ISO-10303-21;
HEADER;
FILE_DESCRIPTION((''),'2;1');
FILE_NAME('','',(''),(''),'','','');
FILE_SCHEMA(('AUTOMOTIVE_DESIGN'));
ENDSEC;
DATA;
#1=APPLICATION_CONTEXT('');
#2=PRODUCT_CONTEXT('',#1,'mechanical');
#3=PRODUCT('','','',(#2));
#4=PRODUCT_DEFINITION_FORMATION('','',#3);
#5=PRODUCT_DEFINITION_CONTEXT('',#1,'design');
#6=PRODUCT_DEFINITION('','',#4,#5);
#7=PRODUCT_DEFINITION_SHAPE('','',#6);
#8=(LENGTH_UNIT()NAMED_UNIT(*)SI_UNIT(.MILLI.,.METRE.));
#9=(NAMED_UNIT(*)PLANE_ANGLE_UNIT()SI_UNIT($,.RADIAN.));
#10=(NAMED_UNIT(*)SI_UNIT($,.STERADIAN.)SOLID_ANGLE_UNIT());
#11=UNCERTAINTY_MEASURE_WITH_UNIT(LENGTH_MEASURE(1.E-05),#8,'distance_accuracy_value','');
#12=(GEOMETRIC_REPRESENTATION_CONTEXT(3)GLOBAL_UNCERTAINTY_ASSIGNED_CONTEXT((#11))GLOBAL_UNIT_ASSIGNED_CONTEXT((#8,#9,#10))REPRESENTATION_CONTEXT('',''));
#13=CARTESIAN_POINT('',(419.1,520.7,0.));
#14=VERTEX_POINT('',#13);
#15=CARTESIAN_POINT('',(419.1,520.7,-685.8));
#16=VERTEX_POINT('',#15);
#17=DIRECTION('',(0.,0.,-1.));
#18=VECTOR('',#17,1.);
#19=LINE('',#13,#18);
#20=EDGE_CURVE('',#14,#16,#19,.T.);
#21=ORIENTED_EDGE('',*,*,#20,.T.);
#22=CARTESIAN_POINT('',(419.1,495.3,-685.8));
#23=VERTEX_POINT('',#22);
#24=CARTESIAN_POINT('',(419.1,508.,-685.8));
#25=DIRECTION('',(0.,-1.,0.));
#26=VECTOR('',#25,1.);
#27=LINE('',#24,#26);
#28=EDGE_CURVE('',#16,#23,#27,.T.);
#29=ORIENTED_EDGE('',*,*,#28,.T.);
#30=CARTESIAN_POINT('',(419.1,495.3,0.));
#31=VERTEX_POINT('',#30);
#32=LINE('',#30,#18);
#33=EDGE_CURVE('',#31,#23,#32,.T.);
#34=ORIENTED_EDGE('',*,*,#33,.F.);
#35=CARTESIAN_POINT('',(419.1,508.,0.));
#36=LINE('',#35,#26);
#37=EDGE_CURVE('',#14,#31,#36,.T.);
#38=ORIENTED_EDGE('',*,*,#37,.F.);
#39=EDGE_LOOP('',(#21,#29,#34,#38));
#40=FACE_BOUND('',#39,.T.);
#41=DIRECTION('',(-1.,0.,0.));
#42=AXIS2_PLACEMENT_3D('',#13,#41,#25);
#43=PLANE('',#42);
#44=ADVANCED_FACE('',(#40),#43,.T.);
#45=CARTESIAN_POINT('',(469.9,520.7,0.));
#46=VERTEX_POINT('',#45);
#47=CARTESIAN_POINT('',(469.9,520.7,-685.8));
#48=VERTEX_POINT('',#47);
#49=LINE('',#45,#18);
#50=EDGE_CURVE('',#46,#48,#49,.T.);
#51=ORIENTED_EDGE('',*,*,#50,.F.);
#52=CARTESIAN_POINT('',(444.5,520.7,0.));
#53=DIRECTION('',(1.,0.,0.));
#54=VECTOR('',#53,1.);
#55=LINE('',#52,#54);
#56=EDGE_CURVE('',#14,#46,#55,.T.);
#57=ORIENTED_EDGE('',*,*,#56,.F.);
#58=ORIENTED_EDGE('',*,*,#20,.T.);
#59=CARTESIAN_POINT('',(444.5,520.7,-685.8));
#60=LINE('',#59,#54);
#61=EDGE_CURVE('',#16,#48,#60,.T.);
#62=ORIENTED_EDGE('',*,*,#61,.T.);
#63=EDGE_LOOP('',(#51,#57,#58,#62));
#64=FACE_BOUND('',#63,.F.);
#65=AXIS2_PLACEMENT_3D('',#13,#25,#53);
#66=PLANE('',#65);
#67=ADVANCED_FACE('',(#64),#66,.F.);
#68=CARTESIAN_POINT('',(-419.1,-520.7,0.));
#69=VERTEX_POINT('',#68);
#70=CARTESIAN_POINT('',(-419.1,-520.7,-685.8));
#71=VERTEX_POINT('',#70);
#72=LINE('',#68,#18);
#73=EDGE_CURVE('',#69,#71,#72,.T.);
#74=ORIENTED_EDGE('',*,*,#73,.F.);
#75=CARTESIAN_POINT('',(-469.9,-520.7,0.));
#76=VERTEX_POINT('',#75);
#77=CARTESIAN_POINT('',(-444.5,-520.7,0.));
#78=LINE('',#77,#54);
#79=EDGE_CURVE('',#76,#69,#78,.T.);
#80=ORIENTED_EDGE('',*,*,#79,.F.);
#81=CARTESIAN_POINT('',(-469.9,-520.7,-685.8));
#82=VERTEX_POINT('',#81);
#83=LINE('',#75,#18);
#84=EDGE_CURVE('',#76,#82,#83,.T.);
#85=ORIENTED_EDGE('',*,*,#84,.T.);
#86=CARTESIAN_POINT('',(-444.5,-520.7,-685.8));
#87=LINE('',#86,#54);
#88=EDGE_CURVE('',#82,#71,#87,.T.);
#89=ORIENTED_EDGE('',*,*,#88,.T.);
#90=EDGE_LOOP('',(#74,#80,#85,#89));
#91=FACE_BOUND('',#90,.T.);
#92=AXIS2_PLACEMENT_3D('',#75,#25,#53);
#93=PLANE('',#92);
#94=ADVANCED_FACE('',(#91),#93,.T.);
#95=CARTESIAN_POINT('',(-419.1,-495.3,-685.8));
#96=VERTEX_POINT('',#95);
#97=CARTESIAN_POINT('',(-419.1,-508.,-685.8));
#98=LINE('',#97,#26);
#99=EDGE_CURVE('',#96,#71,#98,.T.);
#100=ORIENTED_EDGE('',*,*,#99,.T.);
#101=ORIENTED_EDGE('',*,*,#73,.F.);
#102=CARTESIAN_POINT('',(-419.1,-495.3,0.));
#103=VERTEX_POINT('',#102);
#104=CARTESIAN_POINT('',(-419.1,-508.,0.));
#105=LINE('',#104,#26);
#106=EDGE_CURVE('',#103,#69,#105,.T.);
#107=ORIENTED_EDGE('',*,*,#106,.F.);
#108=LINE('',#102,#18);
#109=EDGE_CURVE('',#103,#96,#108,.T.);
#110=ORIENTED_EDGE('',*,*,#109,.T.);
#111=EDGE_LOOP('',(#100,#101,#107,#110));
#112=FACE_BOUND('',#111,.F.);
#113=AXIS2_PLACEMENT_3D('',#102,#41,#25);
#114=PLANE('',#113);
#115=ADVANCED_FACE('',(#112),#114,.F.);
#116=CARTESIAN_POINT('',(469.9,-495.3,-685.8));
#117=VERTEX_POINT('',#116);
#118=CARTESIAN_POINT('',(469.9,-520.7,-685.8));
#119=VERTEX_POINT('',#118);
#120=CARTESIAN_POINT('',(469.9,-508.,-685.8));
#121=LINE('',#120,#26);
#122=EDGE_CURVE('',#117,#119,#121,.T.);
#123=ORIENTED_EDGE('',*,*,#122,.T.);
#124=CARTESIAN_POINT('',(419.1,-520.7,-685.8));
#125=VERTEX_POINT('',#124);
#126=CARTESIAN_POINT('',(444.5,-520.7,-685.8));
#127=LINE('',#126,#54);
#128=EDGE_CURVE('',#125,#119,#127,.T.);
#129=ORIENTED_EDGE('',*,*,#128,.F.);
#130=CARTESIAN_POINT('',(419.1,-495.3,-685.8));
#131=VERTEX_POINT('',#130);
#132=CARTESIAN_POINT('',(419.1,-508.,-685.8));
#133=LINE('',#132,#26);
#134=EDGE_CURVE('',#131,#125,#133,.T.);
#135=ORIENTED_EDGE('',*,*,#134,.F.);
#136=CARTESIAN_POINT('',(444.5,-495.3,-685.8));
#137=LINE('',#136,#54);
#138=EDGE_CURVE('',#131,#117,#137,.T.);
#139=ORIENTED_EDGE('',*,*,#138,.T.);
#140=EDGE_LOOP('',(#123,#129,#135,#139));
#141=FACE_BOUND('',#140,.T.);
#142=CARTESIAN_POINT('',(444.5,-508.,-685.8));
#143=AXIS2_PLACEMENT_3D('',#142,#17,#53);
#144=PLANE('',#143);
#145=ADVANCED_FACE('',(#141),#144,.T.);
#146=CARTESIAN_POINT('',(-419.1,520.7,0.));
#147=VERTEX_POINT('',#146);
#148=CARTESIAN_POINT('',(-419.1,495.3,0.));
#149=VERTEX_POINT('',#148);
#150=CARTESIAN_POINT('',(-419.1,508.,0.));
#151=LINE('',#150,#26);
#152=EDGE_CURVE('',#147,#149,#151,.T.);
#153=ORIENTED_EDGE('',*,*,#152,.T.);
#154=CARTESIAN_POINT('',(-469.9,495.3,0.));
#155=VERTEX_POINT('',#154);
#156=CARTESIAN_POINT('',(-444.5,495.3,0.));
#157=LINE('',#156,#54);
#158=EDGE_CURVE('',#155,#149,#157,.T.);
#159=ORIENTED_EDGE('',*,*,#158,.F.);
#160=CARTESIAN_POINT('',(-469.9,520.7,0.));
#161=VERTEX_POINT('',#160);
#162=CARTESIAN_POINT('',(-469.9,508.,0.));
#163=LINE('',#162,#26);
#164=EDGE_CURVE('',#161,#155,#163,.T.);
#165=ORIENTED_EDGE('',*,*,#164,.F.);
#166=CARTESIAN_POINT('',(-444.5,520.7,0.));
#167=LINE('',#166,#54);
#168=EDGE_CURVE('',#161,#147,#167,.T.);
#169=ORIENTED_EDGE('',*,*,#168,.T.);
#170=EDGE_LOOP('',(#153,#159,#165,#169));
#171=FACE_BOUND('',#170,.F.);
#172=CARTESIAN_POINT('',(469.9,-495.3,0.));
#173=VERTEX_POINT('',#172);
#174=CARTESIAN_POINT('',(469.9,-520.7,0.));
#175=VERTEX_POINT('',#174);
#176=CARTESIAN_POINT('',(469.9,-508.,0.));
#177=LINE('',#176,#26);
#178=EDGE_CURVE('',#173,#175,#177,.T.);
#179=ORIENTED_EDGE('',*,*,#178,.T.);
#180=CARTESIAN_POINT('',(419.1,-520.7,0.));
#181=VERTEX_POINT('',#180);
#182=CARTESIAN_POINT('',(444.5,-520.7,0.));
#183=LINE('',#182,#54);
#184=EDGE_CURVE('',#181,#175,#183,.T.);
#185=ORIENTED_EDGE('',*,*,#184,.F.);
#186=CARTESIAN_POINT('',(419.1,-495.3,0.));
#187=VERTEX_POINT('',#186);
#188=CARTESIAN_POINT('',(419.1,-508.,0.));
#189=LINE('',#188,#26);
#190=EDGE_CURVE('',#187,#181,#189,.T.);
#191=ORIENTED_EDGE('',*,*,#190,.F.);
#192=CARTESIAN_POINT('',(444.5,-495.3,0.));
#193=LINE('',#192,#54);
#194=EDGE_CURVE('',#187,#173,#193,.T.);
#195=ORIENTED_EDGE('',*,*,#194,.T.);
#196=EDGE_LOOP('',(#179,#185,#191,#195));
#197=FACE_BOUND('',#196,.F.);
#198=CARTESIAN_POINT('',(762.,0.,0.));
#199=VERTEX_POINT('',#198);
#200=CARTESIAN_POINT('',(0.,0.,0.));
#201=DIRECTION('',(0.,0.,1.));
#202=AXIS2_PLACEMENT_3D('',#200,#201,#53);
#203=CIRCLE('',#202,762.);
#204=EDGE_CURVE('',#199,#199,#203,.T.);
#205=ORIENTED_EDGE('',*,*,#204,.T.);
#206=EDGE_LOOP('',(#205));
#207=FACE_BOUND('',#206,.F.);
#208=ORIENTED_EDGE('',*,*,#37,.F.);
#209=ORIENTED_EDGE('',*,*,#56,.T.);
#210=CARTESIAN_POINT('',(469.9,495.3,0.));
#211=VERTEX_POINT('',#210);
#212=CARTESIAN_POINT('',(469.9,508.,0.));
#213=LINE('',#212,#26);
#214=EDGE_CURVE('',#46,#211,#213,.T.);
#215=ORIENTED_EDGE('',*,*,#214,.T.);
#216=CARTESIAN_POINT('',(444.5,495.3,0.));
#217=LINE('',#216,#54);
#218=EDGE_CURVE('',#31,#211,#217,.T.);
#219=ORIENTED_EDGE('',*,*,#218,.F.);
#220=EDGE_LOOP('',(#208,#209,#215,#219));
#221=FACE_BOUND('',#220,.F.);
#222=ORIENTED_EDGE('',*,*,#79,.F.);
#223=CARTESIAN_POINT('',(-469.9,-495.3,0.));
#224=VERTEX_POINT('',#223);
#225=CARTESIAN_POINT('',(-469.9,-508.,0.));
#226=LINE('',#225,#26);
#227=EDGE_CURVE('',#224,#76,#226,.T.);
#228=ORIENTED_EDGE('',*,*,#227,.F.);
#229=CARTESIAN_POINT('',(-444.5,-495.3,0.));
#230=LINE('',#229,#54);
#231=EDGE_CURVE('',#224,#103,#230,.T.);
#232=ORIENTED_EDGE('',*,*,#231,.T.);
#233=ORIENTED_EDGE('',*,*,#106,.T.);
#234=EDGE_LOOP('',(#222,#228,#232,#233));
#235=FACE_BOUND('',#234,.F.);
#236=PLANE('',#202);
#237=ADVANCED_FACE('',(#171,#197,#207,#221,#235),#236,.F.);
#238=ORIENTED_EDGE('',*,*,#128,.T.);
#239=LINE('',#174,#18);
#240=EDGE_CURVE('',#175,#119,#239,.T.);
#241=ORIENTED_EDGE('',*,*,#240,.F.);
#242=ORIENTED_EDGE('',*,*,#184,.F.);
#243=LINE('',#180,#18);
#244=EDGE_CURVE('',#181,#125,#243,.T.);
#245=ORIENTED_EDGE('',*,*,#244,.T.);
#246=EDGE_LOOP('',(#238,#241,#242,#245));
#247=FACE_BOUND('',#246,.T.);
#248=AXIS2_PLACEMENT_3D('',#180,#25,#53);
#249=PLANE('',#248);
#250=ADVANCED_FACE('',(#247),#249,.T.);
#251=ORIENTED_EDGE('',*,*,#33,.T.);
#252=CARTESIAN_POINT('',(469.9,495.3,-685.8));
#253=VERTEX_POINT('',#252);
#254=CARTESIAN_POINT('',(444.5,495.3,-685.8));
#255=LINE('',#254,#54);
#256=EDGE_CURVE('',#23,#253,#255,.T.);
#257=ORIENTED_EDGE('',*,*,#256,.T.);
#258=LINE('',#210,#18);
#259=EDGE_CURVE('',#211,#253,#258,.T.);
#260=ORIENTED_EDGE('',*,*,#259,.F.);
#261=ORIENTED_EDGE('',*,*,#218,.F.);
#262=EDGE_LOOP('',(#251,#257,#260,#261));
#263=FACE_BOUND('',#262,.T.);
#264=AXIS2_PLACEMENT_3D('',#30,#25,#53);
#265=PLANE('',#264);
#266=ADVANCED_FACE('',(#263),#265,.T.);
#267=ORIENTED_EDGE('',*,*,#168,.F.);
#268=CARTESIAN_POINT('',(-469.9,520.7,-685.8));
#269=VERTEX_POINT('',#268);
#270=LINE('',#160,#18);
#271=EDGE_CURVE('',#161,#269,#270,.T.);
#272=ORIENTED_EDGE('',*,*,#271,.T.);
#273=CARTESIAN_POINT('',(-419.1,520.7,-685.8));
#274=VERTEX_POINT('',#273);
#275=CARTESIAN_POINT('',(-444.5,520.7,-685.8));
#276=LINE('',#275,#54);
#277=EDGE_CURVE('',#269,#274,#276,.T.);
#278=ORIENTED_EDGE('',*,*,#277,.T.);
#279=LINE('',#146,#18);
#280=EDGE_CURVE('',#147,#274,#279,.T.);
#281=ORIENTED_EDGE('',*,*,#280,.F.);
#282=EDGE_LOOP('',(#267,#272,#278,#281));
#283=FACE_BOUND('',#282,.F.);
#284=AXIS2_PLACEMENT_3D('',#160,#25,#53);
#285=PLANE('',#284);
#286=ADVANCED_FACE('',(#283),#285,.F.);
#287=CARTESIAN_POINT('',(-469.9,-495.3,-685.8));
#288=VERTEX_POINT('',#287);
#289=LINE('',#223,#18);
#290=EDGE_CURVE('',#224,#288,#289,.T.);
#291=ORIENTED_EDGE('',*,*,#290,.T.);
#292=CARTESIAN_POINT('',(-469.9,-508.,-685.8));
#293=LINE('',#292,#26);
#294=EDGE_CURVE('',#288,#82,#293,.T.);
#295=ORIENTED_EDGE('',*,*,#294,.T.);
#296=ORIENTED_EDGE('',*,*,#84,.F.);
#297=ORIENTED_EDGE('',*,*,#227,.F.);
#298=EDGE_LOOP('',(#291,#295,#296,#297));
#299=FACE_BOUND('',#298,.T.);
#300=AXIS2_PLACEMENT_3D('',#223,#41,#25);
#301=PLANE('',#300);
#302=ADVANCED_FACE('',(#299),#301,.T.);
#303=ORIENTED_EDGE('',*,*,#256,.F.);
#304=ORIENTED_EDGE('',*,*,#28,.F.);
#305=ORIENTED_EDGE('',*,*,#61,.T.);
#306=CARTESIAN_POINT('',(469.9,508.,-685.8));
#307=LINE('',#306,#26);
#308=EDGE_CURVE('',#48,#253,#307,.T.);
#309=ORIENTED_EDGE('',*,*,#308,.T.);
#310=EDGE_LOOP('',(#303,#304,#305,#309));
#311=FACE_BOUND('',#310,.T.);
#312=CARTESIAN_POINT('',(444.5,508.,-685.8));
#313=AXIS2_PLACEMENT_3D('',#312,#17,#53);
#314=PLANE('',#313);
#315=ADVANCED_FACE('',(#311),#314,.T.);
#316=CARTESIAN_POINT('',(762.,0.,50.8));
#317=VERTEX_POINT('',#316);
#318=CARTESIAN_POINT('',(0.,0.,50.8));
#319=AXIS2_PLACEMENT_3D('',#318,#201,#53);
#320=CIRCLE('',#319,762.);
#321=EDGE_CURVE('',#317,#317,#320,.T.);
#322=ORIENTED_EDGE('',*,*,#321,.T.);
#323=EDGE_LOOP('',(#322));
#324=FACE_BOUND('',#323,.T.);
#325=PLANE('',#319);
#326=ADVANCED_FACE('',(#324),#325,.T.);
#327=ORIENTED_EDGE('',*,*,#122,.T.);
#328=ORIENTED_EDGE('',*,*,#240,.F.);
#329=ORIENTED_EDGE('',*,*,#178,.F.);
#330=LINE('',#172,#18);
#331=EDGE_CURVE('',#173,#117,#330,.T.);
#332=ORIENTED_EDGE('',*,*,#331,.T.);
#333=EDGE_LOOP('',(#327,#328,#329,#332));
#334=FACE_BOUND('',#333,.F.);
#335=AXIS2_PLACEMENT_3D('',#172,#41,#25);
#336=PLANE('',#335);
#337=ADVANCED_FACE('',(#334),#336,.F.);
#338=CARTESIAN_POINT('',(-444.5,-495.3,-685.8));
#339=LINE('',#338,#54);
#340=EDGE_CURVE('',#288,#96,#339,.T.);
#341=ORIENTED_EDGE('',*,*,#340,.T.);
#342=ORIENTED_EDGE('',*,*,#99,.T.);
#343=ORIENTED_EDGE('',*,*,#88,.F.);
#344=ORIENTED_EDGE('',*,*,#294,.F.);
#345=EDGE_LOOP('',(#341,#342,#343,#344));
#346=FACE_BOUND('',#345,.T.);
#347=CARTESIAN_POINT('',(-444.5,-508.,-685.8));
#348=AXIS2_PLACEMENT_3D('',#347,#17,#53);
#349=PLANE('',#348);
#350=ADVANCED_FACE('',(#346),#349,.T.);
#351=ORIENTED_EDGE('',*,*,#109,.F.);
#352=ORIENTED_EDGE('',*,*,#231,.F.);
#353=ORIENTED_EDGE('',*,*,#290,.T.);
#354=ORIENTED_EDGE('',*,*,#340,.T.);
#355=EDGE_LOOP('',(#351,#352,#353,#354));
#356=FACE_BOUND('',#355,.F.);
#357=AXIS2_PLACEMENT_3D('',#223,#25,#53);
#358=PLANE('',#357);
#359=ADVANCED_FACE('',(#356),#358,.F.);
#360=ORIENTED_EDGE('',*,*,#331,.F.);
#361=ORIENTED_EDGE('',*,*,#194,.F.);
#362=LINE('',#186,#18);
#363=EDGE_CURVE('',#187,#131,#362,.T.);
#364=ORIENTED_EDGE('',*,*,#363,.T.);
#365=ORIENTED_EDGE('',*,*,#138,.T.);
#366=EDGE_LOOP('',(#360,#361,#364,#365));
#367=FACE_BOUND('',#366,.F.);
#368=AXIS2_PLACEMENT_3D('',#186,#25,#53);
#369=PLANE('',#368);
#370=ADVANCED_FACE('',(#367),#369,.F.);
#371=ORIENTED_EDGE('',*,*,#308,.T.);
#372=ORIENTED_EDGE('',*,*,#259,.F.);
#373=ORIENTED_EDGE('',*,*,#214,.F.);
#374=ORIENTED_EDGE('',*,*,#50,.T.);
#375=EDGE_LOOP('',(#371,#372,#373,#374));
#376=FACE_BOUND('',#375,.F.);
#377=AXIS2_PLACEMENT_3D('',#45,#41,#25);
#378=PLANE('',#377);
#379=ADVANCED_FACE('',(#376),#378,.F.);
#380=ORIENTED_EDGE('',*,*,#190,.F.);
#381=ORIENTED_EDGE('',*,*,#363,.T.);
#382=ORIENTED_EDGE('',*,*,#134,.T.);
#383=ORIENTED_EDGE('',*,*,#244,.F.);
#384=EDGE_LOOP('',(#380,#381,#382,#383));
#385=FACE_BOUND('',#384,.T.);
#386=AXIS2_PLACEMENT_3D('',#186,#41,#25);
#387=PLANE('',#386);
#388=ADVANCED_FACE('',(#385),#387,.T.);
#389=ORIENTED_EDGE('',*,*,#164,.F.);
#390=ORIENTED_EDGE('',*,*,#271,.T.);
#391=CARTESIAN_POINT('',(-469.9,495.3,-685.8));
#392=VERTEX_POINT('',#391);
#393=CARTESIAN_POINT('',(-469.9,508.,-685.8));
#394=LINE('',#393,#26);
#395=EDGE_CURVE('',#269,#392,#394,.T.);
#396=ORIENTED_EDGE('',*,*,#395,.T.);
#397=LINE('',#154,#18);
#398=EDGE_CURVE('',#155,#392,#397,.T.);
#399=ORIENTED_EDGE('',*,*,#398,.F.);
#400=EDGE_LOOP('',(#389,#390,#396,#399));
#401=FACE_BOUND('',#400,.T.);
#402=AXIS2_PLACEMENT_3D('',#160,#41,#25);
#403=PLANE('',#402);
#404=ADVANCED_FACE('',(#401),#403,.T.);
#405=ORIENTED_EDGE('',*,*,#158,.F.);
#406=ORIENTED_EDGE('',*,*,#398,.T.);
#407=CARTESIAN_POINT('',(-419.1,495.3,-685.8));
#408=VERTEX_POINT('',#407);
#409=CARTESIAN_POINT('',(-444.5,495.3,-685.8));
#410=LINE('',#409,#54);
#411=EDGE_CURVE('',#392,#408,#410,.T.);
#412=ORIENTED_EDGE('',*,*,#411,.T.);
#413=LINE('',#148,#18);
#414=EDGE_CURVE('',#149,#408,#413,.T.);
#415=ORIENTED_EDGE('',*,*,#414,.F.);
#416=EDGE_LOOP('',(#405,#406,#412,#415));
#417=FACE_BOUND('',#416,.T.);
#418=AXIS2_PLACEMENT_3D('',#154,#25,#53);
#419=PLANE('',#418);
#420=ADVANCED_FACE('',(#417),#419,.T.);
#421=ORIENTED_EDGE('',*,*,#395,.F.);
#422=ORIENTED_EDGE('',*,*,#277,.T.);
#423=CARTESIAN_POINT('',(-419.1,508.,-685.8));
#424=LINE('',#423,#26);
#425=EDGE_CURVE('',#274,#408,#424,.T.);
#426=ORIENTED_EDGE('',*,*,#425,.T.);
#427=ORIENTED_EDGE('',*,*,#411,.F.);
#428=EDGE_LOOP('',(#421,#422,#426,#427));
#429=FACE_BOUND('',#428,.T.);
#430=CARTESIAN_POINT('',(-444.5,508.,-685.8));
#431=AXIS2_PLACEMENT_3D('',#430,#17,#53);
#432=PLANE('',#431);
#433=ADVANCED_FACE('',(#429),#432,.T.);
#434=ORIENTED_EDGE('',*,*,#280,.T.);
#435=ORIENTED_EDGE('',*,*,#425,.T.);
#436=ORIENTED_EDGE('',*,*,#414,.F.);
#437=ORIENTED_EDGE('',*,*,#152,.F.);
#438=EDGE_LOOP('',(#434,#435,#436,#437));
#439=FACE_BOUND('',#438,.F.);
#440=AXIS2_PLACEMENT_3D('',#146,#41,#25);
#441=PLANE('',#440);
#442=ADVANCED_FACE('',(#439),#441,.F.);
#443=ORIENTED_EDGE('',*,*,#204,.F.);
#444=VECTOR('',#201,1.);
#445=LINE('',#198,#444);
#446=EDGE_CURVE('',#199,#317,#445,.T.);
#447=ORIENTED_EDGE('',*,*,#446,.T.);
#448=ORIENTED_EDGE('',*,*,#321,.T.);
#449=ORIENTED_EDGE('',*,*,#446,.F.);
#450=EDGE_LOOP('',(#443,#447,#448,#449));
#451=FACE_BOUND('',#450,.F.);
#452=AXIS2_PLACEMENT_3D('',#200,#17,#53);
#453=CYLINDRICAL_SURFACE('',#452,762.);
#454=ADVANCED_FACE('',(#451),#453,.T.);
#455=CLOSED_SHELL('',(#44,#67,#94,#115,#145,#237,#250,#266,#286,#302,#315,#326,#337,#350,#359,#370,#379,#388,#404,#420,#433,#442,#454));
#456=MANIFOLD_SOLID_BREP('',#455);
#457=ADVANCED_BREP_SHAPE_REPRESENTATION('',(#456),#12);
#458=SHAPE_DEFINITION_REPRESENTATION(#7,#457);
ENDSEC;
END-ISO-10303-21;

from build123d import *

# Parameters (mm, degrees)
F0_R     = 762
F1_DEPTH = 50.8
F2_W     = 50.8
F2_H     = 25.4
F3_DEPTH = 685.8


with BuildPart() as f1:
    # F0 (on Top) → F1 (new body)
    with BuildSketch(Plane.XY):
        Circle(F0_R)
    extrude(amount=F1_DEPTH)

    # F2 (on face) → F3 (join)
    with BuildSketch(Plane(origin=(0, 0, 0), x_dir=(1, 0, 0), z_dir=(0, 0, -1))):
        with Locations((-444.5, 508)):
            Rectangle(F2_W, F2_H)
        with Locations((444.5, 508)):
            Rectangle(F2_W, F2_H)
        with Locations((-444.5, -508)):
            Rectangle(F2_W, F2_H)
        with Locations((444.5, -508)):
            Rectangle(F2_W, F2_H)
    extrude(amount=F3_DEPTH)


solid = f1.part
